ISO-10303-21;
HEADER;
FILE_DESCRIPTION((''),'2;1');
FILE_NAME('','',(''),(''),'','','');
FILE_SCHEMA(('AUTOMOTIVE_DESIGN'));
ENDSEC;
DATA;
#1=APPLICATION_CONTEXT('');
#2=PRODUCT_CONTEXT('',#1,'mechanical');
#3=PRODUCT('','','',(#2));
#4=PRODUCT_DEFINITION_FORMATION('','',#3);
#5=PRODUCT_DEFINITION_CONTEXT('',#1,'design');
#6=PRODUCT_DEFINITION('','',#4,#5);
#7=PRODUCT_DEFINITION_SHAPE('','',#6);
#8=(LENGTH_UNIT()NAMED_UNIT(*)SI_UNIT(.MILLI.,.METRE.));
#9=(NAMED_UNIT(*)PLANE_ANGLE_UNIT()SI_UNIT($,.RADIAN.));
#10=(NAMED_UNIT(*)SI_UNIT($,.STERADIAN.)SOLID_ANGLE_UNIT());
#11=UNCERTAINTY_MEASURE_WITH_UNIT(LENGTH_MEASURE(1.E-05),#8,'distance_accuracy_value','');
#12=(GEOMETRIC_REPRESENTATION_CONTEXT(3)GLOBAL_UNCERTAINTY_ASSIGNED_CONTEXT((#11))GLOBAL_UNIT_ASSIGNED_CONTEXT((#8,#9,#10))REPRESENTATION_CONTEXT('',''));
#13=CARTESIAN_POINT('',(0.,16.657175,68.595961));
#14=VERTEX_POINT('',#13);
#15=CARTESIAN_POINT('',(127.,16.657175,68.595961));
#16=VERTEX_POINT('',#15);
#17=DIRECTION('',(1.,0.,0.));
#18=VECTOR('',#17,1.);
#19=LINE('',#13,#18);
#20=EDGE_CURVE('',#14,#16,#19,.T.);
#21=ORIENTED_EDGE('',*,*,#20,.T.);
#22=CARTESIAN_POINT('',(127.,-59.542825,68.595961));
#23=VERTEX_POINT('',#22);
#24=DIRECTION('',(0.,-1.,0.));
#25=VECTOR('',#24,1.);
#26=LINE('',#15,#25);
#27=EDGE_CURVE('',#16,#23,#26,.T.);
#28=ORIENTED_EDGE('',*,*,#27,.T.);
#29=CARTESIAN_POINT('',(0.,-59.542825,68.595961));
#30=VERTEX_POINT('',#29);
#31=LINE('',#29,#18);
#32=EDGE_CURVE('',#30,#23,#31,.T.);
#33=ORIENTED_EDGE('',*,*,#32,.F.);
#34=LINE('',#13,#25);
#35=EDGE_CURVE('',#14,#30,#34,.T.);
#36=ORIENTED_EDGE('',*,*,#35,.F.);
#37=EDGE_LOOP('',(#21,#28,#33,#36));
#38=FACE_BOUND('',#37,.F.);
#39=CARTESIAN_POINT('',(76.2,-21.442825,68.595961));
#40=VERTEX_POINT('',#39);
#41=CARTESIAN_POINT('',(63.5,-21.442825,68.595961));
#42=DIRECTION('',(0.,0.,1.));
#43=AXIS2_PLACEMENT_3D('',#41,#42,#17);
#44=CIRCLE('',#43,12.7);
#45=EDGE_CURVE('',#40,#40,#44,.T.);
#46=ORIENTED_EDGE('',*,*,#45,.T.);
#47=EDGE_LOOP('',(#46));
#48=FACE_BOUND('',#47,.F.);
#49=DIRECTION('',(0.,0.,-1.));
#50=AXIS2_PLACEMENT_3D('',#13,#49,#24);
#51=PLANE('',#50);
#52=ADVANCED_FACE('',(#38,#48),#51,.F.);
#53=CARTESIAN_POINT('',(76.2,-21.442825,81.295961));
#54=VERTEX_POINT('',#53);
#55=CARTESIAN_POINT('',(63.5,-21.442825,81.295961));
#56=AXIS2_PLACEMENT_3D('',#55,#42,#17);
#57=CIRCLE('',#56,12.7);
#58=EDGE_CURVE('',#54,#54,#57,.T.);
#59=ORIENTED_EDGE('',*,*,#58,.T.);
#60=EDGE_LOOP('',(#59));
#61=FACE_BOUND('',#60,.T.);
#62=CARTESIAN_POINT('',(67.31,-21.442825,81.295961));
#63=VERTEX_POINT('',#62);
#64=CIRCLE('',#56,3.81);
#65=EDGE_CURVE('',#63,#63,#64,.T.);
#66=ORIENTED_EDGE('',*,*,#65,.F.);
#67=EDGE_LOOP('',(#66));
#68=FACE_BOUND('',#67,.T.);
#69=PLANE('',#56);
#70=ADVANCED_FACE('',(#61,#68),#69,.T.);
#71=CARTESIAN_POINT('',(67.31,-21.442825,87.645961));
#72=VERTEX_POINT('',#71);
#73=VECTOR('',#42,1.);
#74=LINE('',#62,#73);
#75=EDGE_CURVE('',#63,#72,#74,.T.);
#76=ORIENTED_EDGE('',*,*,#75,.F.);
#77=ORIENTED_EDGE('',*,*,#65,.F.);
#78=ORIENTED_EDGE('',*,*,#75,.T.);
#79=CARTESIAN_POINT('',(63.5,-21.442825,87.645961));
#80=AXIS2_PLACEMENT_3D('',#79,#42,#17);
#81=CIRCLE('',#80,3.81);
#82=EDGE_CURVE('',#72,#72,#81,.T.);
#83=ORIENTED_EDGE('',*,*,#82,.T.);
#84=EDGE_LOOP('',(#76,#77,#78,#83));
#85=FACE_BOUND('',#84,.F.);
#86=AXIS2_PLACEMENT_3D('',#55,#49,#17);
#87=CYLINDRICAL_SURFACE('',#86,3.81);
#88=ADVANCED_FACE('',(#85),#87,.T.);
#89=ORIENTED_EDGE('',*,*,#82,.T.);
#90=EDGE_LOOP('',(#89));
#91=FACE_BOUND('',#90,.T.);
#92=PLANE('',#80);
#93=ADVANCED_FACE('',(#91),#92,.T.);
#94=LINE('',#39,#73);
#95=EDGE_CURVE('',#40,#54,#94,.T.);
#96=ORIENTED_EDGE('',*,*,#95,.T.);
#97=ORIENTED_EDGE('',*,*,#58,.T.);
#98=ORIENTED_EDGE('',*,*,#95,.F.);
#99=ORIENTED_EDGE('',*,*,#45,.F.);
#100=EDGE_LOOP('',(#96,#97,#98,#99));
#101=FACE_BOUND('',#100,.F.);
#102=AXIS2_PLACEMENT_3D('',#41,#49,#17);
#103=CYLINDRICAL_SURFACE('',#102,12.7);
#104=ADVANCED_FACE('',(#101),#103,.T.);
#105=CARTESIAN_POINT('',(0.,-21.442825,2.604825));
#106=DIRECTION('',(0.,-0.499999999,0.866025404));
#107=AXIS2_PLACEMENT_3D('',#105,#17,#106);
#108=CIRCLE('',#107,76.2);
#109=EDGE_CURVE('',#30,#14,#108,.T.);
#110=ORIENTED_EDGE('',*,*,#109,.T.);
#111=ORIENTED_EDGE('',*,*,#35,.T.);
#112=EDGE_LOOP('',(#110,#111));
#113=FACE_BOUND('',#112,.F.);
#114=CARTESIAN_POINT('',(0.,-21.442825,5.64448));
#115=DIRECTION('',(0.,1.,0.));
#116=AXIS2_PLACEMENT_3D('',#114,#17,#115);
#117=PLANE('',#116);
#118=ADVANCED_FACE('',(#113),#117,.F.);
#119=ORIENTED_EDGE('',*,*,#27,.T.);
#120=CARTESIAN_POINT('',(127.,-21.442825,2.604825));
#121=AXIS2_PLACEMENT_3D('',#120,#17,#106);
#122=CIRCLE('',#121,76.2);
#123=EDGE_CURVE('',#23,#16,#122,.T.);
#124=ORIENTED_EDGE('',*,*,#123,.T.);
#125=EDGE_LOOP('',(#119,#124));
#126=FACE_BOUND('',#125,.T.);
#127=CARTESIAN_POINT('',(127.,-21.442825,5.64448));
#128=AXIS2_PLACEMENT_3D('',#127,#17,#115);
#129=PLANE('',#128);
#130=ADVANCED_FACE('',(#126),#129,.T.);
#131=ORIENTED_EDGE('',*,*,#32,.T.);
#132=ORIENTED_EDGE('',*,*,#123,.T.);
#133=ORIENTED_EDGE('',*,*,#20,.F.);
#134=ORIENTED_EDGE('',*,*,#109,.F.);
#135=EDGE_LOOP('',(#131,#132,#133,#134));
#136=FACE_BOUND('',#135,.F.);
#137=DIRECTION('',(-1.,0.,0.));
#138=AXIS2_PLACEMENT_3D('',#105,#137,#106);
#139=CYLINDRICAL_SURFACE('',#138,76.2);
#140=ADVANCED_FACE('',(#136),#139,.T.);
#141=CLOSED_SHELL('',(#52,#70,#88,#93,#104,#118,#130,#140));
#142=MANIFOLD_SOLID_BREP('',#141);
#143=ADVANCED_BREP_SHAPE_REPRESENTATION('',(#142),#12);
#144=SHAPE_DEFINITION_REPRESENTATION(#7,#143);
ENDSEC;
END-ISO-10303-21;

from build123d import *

# Parameters (mm, degrees)
F1_DEPTH = 127
F2_R     = 12.7
F3_DEPTH = 12.7
F4_R     = 3.81
F5_DEPTH = 6.35


with BuildPart() as f1:
    # F0 (on Right) → F1 (new body)
    with BuildSketch(Plane.YZ):
        with BuildLine():
            Line((16.657175, 68.595961), (-59.542825, 68.595961))
            ThreePointArc((-59.542825, 68.595961), (-21.442825, -73.595175), (16.657175, 68.595961))
        make_face()
    extrude(amount=F1_DEPTH)

    # F2 (on face) → F3 (join)
    with BuildSketch(Plane.XY.offset(68.595961)):
        with Locations((63.5, -21.442825)):
            Circle(F2_R)
    extrude(amount=F3_DEPTH)

    # F4 (on face) → F5 (join)
    with BuildSketch(Plane.XY.offset(81.295961)):
        with Locations((63.5, -21.442825)):
            Circle(F4_R)
    extrude(amount=F5_DEPTH)


solid = f1.part
